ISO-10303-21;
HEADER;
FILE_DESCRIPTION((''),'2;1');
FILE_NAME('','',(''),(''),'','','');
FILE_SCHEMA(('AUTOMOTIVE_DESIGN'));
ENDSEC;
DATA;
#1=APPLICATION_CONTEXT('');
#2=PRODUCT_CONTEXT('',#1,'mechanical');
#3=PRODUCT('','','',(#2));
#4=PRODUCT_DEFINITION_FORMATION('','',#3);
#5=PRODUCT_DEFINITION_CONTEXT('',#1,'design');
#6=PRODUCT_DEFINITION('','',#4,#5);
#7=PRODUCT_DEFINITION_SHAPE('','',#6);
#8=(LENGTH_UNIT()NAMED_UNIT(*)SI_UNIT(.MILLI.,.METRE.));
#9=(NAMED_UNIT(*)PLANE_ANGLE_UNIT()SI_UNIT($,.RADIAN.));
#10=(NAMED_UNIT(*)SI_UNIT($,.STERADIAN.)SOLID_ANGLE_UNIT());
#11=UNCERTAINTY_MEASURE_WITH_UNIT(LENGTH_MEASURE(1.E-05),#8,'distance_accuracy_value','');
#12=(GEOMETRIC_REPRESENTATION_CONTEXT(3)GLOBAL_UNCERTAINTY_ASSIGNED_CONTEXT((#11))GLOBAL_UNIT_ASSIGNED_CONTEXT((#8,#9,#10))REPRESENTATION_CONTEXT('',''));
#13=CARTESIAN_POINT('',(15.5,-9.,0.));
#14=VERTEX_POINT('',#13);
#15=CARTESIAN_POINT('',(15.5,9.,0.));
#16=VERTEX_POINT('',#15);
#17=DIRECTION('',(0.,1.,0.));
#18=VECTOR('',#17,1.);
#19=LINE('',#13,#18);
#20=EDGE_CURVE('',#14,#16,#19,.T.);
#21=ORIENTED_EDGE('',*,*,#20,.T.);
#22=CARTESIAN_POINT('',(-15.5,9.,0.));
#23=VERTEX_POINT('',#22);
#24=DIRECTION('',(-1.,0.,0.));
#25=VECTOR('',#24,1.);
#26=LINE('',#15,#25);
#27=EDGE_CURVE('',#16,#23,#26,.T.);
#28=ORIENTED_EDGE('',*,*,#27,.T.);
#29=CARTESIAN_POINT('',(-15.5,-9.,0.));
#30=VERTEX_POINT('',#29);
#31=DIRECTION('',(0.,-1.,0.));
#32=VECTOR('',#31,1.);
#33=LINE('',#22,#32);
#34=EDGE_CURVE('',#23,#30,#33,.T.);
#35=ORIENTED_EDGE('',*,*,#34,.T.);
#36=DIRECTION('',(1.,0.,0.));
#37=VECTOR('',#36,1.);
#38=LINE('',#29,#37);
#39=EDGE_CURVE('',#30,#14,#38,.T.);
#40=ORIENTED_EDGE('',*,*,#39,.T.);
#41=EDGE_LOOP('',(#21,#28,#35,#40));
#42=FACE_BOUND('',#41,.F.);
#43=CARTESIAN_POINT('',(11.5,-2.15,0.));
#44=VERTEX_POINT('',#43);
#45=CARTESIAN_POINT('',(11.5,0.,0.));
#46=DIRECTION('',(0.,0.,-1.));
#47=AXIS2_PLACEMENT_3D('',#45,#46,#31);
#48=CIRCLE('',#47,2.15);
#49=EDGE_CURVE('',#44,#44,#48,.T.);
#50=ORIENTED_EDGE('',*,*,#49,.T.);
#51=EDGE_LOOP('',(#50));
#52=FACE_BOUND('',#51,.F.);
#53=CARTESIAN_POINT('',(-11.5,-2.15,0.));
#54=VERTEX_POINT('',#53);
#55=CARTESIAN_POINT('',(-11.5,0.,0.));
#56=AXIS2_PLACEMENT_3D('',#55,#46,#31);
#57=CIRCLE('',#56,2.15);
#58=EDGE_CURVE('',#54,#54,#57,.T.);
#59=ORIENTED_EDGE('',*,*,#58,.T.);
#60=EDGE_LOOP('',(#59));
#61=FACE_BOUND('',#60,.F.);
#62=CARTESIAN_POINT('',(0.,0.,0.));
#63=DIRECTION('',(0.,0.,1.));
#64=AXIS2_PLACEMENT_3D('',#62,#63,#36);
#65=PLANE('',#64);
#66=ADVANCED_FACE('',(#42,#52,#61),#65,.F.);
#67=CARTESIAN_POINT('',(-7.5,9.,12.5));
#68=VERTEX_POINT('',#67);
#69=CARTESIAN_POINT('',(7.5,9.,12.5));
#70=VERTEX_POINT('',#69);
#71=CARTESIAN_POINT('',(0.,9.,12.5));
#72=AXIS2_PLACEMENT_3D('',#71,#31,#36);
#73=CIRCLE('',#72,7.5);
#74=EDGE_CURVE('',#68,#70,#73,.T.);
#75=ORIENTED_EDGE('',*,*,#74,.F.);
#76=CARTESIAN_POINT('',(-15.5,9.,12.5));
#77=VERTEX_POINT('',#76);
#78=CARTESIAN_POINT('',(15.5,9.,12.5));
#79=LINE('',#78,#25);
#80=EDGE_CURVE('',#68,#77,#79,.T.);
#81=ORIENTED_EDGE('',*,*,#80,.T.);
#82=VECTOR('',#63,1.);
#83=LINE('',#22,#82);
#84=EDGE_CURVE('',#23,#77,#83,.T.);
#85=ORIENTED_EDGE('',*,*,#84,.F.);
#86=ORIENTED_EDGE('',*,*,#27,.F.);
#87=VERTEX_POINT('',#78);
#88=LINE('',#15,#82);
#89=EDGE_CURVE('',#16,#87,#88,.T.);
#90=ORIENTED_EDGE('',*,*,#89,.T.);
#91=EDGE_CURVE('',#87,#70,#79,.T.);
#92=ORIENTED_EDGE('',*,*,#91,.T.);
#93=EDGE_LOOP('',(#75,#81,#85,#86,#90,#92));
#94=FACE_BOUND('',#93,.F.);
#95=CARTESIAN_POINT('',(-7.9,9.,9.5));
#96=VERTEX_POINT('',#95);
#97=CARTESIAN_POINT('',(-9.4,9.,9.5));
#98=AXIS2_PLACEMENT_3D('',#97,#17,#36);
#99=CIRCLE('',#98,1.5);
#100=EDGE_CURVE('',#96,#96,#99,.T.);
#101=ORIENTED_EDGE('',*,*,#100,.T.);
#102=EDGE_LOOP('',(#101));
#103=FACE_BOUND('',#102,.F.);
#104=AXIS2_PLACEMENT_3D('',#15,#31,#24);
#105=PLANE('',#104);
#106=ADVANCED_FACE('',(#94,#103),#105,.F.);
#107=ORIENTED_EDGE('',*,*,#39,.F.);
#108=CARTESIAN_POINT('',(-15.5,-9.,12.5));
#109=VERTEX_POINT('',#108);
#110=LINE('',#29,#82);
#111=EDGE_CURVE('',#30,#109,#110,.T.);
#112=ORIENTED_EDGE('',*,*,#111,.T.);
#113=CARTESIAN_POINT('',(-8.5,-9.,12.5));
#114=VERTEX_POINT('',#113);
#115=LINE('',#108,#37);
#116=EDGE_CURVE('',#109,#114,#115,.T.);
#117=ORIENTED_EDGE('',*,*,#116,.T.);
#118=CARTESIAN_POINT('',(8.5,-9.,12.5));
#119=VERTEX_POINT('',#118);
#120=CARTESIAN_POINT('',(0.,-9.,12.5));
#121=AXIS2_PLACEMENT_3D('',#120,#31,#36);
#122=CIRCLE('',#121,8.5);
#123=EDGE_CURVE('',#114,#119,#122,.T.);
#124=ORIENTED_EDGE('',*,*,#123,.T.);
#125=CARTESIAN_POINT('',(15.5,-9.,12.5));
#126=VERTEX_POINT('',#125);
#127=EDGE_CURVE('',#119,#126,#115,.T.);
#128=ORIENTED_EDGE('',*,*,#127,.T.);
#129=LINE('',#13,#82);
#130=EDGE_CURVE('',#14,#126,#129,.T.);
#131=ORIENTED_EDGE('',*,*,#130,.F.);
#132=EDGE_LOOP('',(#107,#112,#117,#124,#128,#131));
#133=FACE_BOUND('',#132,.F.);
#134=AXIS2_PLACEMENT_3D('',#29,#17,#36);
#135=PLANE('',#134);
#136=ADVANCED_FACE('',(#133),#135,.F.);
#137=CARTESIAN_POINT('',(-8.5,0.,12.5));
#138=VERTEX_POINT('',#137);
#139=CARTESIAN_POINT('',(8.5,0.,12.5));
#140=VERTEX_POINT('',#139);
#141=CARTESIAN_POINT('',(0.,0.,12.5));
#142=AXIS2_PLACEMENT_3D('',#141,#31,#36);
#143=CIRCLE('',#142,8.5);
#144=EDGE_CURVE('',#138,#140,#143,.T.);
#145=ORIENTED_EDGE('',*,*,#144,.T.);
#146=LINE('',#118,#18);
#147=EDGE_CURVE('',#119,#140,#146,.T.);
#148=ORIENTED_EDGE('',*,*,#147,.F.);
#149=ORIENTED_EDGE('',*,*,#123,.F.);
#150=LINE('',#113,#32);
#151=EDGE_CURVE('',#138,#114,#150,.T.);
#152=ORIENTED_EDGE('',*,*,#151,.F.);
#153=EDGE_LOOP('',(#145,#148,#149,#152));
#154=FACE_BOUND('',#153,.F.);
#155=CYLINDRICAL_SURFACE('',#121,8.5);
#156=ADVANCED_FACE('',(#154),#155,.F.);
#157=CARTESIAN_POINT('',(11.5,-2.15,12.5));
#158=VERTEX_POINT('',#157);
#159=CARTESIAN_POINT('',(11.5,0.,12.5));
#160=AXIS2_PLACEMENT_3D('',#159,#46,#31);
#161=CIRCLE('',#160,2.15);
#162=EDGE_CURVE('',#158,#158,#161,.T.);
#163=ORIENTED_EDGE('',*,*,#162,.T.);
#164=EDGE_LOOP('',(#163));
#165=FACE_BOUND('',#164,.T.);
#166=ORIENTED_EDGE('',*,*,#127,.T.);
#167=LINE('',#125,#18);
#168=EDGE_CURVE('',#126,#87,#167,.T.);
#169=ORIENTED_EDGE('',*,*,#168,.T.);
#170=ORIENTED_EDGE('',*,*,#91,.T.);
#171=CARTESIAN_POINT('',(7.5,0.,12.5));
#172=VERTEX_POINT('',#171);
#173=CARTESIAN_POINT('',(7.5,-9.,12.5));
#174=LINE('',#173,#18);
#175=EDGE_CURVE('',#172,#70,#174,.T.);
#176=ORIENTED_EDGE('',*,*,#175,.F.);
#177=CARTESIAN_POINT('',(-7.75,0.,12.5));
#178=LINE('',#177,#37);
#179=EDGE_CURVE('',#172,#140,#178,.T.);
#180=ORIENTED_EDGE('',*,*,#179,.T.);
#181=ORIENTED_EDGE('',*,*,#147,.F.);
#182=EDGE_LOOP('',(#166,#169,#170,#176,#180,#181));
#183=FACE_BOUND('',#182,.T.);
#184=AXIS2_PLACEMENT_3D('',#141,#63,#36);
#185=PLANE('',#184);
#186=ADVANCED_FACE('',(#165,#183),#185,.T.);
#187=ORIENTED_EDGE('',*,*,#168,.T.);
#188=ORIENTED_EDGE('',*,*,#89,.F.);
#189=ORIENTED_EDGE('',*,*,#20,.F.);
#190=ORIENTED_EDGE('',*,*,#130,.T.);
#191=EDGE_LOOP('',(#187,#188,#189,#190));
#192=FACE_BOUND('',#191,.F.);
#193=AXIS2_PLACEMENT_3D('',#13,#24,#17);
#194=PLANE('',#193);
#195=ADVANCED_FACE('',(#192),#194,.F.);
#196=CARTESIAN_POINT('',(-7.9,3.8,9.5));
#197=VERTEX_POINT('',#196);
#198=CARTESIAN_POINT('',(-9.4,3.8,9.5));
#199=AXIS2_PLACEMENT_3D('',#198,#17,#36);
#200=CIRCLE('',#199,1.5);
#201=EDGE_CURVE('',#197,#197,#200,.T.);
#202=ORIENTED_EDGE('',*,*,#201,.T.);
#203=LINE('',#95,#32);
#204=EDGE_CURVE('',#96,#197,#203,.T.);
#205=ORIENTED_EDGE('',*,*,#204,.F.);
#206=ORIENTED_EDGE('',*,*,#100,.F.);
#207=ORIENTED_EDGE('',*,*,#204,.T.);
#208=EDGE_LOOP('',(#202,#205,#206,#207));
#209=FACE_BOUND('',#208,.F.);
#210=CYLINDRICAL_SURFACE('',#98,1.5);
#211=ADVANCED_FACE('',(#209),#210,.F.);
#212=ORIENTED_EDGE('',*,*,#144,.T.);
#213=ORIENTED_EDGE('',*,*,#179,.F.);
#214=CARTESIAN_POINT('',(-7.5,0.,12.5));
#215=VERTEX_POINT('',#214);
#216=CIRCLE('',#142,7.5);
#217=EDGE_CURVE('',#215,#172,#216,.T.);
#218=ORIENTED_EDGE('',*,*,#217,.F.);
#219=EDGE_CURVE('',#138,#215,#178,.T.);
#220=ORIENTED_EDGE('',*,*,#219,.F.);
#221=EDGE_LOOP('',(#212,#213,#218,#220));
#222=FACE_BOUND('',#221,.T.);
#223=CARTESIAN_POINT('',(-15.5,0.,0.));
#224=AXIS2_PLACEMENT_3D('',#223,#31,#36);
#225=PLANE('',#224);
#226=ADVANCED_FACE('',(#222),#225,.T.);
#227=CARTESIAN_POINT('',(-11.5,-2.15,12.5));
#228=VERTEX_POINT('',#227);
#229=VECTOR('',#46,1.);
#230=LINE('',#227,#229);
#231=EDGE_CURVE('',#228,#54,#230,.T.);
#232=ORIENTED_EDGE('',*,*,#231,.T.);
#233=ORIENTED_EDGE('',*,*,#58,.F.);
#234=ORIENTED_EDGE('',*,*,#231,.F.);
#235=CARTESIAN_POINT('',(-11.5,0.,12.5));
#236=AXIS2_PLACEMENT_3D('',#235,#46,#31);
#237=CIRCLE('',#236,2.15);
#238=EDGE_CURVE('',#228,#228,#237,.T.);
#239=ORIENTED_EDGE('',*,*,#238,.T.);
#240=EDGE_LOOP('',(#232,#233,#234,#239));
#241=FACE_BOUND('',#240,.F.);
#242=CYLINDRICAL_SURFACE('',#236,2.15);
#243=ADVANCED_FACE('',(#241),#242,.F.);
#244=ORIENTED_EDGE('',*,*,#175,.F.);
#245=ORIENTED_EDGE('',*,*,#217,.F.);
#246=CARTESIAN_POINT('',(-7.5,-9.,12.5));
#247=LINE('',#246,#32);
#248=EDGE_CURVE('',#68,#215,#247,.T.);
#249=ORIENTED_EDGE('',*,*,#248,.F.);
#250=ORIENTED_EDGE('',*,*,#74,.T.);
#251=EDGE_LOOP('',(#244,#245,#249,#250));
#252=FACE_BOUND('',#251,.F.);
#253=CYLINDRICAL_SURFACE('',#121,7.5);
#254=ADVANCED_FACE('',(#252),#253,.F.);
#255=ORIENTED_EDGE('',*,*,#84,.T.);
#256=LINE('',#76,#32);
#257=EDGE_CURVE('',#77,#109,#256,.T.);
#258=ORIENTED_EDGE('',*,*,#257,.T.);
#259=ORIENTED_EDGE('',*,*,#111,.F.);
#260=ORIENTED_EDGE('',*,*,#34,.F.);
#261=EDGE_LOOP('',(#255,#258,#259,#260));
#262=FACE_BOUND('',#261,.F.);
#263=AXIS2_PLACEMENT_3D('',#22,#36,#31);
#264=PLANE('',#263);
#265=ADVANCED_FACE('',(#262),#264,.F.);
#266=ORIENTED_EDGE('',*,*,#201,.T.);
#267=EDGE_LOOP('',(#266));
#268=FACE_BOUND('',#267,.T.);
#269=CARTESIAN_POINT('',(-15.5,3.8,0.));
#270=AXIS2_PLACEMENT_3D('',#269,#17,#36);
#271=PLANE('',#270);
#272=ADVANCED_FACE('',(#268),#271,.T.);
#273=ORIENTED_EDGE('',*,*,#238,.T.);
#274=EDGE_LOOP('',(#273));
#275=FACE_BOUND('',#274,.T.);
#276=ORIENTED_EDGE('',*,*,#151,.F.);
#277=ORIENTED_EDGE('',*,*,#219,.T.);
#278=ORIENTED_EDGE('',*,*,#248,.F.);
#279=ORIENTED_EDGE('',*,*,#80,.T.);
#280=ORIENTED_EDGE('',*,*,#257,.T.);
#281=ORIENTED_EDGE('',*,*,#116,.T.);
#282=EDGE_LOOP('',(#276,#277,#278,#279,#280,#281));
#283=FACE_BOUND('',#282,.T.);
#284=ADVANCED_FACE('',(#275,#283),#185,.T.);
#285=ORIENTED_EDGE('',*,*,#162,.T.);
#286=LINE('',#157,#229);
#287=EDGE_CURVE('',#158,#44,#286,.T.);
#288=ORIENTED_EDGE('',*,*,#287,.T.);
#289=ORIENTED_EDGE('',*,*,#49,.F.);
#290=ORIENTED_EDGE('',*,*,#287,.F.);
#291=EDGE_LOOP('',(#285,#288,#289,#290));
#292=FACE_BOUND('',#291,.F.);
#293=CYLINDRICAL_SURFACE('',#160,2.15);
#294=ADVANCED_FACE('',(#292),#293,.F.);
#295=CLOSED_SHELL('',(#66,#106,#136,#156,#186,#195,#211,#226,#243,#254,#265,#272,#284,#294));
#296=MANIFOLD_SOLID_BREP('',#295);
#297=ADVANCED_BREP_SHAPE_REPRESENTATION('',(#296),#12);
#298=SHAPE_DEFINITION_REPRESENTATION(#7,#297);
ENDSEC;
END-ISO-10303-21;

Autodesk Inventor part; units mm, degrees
ref_plane "YZ Plane" through (0, 0, 0) normal (1, 0, 0) x (0, 1, 0)
ref_plane "XZ Plane" through (0, 0, 0) normal (0, 1, 0) x (-1, 0, 0)
ref_plane "XY Plane" through (0, 0, 0) normal (0, 0, 1) x (1, 0, 0)
sketch "Sketch1" plane through (0, 0, 0) normal (0, 0, 1) x (1, 0, 0)
  line L0 (-15.5, -9) -> (15.5, -9)
  line L1 (15.5, -9) -> (15.5, 9)
  line L2 (15.5, 9) -> (-15.5, 9)
  line L3 (-15.5, 9) -> (-15.5, -9)
  line L4 (-15.5, -9) -> (15.5, 9) construction
  line L5 (15.5, -9) -> (-15.5, 9) construction
  point P0 (0, 0)
  dimension "d0" = 31
  dimension "d1" = 18
extrude "Extrusion1" add sketch "Sketch1" along normal blind 12.5
sketch "Sketch4" plane through (-15.5, -9, 0) normal (0, -1, 0) x (1, 0, 0)
  line L0 (0, 12.5) -> (31, 12.5) projected
  circle A0 centre (15.5, 12.5) radius 7.5
  point P0 (15.5, 0)
  dimension "d24" = 15
extrude "Extrusion4" cut sketch "Sketch4" against normal through all
sketch "Sketch5" plane through (0, 0, 12.5) normal (0, 0, 1) x (1, 0, 0)
  line L0 (-15.5, -9) -> (-7.5, -9) projected
  line L1 (7.5, -9) -> (15.5, -9) projected
  point P0 (0, 0)
  point P1 (-11.5, 0)
  point P2 (11.5, 0)
  dimension "d86" = 11.5
  dimension "d87" = 11.5
  dimension "d88" = 9
  dimension "d89" = 9
sketch "Sketch8" plane through (-15.5, 9, 0) normal (0, 1, 0) x (1, 0, 0)
  circle A0 centre (6.1, -9.5) radius 1.5
  line L0 (8, -12.5) -> (0, -12.5) projected
  line L1 (0, 0) -> (0, -12.5) projected
  point P0 (15.5, 0)
  dimension "d57" = 3
  dimension "d59" = 3
  dimension "d61" = 6.1
hole "Hole1" at (-11.5, 0, 12.5) at (11.5, 0, 12.5) direction (0, 0, -1) diameter 4.3 end through all clearance for "Flat Head Machine Screw" size "M4" standard "Ansi Metric M Profile"
extrude "Extrusion11" cut sketch "Sketch8" against normal blind 5.2
sketch "Sketch13" plane through (-15.5, -9, 0) normal (0, -1, 0) x (1, 0, 0)
  arc A0 (8, 12.5) -> (23, 12.5) centre (15.5, 12.5) ccw projected
  circle A1 centre (15.5, 12.5) radius 8.5
  point P0 (15.5, 0)
  dimension "d99" = 17
extrude "Extrusion12" cut sketch "Sketch13" against normal blind 9
equation "\"d87\" = d86"
equation "\"d89\" = d88"
properties part number "Colimador inferior"
